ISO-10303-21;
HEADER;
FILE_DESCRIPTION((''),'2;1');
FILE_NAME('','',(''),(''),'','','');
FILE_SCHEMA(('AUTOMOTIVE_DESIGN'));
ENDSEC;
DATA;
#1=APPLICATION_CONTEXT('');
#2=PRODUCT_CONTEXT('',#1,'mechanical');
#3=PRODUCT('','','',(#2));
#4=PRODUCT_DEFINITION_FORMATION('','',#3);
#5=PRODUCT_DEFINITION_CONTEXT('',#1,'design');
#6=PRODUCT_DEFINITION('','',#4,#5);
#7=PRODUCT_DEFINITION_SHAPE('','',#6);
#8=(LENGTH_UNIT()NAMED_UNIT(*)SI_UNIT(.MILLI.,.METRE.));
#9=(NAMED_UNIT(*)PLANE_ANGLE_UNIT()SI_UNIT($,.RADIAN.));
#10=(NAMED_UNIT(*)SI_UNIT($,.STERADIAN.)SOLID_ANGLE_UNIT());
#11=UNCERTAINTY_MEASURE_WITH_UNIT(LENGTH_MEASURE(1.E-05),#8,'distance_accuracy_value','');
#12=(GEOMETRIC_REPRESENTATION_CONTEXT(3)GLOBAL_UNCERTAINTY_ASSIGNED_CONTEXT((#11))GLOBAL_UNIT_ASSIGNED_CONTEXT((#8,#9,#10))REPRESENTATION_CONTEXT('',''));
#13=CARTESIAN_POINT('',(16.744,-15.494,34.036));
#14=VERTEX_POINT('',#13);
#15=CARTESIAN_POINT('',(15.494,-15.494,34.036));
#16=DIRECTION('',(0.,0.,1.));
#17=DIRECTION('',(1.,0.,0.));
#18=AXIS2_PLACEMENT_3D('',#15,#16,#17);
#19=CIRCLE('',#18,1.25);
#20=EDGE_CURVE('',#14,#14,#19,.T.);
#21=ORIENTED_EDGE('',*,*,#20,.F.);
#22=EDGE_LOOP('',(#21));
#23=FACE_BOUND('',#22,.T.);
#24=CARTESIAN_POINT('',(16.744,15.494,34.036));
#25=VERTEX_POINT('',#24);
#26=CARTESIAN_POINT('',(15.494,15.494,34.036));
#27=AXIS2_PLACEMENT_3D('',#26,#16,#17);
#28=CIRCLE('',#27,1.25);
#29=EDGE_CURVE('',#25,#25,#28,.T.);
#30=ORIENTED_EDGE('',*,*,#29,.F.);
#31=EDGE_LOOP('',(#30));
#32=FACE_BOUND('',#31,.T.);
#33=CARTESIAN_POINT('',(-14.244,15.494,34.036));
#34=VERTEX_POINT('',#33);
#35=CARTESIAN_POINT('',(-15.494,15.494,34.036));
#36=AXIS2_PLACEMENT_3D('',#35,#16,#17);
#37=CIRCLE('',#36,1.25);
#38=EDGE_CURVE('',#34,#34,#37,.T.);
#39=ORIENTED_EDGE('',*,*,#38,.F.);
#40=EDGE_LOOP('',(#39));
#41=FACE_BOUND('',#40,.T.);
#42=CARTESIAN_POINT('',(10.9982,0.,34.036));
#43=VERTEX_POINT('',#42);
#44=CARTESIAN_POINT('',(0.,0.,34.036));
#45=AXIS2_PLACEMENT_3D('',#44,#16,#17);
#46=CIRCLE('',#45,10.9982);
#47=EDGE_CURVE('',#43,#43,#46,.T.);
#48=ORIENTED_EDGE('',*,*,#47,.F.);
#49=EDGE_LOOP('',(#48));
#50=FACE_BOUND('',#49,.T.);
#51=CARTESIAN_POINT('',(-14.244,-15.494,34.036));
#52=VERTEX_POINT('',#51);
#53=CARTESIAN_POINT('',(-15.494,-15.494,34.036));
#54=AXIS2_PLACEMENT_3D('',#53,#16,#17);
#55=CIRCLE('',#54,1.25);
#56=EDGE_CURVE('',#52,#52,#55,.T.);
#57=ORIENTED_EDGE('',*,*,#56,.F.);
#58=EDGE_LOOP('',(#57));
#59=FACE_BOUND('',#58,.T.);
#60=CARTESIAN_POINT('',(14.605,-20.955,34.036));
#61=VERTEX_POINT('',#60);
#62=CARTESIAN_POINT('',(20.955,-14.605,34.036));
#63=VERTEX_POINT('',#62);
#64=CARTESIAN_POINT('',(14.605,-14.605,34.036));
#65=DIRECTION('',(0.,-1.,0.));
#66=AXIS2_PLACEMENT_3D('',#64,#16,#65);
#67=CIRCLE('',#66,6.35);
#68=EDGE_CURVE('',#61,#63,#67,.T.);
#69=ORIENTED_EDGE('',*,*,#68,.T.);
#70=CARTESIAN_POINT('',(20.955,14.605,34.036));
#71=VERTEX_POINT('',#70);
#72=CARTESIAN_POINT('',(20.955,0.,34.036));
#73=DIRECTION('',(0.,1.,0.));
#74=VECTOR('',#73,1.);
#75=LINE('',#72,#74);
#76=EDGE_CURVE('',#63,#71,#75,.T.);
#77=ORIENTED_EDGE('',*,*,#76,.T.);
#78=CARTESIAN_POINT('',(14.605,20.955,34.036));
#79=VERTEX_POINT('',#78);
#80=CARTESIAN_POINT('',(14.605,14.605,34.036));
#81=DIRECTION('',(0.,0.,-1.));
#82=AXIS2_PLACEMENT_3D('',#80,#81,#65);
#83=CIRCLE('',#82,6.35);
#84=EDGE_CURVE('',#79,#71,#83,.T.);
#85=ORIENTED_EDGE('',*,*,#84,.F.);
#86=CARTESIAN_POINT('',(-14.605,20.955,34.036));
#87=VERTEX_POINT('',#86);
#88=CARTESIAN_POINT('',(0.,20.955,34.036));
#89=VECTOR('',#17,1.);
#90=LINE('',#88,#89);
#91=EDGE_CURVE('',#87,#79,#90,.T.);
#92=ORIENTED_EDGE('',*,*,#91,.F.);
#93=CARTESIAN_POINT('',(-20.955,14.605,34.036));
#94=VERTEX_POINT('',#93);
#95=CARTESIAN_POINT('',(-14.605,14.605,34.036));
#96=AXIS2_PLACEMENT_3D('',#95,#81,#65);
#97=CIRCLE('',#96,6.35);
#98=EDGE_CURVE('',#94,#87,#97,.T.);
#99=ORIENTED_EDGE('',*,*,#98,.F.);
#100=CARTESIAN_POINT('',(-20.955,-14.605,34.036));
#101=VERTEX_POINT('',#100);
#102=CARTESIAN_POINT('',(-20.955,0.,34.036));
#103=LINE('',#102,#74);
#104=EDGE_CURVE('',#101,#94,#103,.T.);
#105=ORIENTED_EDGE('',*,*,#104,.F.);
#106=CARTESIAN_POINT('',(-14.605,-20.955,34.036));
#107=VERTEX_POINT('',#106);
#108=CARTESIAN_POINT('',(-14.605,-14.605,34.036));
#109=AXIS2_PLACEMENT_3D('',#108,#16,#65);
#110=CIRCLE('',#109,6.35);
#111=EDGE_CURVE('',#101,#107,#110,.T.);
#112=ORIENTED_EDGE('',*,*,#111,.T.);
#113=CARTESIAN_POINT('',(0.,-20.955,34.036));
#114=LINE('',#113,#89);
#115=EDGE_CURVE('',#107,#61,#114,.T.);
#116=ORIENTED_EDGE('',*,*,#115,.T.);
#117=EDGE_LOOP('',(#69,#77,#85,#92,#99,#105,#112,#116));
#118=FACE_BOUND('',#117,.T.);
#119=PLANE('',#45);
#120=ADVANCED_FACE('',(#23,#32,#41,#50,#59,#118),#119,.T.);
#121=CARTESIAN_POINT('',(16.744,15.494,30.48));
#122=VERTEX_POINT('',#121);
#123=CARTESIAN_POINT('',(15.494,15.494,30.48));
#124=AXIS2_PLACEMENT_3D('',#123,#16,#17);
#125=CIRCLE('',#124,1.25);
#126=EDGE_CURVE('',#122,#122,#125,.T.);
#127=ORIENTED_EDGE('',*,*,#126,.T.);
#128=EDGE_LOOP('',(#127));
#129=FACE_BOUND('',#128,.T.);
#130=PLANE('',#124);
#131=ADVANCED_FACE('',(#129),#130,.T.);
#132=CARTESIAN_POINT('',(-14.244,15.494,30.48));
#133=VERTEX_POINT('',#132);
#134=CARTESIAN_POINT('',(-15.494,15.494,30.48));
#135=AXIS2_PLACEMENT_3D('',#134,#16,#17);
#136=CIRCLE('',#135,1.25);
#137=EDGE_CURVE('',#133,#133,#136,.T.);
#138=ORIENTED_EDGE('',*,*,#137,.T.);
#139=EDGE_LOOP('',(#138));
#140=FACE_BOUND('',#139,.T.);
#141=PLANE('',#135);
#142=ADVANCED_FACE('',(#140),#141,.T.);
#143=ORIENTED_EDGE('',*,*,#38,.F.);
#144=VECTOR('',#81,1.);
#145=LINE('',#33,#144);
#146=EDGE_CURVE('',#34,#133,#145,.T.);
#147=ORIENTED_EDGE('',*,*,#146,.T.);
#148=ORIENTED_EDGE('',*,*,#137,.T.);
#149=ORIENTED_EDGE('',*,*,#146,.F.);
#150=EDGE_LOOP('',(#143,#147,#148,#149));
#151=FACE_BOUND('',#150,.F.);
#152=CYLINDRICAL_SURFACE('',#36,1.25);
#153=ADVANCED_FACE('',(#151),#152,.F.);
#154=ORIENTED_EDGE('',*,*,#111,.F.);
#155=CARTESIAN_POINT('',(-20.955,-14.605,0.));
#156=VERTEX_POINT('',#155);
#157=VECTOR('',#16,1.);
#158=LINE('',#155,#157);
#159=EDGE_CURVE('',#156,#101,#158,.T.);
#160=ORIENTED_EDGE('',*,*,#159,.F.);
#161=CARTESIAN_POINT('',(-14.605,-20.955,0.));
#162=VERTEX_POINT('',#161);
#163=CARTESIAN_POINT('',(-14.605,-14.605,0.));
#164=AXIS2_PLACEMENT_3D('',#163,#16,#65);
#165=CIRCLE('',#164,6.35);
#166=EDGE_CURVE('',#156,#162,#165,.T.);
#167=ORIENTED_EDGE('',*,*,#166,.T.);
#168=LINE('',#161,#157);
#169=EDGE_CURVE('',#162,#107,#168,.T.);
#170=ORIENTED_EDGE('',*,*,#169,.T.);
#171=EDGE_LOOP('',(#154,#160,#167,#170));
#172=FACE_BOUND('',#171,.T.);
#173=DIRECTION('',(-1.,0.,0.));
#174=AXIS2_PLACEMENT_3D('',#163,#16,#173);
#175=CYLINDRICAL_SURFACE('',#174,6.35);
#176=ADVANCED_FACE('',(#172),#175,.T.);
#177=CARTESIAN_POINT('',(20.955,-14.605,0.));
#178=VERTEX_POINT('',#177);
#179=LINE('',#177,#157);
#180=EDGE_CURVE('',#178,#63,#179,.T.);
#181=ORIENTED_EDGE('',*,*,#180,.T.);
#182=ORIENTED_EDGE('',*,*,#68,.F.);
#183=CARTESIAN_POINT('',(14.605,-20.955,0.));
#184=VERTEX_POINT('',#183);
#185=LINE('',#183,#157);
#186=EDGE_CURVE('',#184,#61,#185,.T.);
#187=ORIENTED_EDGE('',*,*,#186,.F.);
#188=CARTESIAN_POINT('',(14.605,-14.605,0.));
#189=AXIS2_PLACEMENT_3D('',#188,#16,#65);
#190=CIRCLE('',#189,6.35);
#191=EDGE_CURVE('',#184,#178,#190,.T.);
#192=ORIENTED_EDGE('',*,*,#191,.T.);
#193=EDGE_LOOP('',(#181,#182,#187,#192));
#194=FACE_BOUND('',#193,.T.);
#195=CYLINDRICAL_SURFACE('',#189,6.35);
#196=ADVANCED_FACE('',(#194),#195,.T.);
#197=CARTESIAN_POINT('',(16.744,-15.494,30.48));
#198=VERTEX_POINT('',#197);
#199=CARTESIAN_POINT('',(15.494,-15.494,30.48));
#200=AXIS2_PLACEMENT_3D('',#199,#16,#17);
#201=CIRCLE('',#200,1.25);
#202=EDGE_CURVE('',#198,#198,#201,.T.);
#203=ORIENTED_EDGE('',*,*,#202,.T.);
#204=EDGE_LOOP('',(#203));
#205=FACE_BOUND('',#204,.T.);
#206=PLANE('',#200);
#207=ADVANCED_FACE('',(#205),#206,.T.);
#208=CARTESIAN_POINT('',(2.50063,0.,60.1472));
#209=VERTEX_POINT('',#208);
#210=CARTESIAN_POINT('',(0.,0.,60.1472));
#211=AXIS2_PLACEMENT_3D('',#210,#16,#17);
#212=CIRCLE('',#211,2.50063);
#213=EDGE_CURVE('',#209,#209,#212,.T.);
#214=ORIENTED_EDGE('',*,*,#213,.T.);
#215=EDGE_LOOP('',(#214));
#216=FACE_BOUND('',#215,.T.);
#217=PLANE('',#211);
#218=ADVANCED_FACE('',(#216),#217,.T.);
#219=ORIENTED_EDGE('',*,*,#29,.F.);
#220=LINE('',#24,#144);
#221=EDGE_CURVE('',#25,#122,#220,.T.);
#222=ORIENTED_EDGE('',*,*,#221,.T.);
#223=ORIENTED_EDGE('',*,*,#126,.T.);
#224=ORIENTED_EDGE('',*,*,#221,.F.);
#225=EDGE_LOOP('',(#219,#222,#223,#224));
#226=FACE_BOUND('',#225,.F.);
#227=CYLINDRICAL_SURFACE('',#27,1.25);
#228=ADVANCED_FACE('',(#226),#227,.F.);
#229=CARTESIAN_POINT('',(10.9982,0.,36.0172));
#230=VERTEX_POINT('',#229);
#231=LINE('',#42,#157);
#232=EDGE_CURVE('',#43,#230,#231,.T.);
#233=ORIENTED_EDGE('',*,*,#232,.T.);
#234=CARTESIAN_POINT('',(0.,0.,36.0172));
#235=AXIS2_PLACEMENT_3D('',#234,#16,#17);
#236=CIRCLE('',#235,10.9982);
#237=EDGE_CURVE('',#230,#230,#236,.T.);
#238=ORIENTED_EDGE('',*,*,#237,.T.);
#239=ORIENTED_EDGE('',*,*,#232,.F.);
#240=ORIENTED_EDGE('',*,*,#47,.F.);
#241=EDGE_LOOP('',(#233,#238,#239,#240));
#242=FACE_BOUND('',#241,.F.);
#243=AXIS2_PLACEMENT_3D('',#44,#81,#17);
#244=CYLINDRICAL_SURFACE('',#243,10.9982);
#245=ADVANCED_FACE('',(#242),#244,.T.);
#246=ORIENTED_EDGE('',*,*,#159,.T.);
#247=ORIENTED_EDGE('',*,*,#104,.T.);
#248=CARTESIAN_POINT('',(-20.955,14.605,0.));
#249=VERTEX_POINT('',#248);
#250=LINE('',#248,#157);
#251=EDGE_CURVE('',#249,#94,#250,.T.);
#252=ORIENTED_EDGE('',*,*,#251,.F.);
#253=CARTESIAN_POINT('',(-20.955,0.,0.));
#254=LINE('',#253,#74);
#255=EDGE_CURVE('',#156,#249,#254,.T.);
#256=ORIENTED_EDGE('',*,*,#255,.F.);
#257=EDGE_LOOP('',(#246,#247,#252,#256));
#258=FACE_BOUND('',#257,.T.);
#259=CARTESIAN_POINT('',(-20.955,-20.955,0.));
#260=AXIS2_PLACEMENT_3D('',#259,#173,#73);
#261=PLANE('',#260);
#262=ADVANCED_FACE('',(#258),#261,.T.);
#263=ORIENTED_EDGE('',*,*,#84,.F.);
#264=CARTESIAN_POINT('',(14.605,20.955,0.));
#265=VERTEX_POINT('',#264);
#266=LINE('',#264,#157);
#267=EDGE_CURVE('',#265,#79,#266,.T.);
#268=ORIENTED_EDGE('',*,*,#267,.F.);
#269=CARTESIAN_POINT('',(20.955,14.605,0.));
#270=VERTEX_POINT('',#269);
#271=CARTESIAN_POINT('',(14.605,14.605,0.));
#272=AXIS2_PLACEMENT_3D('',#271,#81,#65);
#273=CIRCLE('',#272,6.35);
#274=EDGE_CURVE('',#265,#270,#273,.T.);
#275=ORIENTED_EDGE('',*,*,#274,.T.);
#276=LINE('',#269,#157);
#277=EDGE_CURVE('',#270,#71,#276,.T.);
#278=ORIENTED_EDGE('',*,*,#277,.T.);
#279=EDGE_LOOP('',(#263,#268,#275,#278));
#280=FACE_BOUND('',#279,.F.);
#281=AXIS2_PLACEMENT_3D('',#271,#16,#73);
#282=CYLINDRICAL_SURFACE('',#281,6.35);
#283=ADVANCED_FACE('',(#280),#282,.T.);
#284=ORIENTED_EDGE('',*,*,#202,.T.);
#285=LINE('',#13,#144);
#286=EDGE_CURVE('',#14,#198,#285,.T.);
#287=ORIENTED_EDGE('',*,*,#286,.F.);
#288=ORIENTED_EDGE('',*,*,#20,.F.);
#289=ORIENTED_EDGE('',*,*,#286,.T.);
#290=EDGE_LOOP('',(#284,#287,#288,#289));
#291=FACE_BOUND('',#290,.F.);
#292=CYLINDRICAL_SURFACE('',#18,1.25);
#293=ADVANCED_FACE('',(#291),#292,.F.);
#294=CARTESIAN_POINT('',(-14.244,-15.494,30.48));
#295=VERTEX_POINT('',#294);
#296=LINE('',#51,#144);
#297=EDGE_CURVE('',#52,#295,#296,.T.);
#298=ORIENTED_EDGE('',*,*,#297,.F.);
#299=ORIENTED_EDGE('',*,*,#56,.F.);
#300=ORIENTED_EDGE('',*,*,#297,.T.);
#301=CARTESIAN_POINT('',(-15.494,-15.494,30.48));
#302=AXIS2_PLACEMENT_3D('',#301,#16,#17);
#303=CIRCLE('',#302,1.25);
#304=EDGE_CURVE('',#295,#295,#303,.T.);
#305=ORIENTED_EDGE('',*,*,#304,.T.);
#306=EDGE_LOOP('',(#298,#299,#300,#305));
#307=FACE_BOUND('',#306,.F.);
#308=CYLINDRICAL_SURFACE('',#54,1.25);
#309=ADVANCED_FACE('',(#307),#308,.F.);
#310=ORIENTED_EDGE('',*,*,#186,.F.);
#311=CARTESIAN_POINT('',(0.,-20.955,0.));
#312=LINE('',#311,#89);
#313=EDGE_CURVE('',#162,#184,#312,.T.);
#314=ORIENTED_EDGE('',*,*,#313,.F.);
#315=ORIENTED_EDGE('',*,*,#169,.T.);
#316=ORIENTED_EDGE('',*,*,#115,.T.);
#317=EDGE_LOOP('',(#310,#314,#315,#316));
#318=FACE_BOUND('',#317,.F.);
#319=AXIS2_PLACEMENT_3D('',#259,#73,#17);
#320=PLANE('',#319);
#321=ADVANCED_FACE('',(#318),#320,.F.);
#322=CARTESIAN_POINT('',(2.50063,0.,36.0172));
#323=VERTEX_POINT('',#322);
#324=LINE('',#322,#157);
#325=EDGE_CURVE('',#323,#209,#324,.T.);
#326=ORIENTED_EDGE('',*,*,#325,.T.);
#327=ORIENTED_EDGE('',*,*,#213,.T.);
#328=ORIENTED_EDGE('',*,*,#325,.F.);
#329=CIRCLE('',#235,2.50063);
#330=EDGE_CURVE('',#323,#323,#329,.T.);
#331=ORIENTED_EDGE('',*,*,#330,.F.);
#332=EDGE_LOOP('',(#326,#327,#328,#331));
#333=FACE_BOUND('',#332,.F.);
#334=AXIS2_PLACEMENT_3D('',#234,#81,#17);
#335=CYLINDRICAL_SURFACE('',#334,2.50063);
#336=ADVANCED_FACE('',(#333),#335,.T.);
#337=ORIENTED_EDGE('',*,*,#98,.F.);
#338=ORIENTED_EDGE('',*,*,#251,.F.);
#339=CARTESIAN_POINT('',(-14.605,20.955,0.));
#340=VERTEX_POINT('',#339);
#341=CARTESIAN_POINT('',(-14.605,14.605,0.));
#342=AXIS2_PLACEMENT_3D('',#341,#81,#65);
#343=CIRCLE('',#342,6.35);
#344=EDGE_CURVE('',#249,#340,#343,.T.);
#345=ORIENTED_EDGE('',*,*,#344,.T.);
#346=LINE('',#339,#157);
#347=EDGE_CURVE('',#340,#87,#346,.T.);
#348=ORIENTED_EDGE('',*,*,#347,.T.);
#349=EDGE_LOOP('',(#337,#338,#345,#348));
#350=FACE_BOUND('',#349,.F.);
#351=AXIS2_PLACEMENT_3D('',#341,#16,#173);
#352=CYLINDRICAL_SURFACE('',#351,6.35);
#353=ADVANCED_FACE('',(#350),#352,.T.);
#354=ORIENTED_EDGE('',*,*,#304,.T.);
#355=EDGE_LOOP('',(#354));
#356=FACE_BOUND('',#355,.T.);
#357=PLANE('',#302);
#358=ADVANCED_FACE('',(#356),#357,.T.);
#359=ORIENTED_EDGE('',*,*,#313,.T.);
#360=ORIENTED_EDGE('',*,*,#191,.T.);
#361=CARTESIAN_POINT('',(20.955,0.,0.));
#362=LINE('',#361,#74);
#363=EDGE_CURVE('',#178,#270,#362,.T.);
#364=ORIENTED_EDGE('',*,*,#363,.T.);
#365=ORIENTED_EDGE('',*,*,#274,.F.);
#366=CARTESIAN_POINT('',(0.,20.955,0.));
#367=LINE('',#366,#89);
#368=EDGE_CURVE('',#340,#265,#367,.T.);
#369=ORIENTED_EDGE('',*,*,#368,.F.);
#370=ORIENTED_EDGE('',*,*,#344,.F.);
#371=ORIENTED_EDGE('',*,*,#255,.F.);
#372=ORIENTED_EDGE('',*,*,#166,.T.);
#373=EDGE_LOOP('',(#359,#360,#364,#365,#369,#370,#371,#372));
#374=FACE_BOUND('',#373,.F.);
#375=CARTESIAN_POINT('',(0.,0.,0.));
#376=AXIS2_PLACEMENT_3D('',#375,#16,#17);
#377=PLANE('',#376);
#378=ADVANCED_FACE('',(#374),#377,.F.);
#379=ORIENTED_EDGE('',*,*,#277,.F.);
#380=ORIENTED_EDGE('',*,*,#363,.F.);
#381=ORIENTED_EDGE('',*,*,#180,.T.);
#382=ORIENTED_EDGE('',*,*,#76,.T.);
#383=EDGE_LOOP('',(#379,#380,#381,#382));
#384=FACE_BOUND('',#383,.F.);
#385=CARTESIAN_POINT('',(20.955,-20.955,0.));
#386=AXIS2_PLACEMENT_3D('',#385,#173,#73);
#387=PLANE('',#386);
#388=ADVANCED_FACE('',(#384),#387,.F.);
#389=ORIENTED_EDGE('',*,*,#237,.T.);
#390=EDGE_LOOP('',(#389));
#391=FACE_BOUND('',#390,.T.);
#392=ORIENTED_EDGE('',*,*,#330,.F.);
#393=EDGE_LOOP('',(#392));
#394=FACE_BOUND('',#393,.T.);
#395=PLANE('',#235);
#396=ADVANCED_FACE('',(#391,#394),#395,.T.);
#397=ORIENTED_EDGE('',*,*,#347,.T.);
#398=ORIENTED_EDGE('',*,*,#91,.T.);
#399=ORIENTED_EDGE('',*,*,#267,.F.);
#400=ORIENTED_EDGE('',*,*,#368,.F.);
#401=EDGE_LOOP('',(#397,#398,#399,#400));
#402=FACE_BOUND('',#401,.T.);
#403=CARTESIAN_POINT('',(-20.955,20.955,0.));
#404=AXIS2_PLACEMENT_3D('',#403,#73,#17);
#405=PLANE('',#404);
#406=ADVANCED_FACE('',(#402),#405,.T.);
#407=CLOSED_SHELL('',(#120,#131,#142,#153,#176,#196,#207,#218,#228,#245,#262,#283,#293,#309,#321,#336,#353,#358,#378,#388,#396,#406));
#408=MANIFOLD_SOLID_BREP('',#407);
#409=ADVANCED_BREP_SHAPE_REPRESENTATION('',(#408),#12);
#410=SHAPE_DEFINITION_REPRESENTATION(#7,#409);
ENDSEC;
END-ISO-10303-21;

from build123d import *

# Parameters (mm, degrees)
F0_W     = 41.91
F0_H     = 41.91
F1_DEPTH = 34.036
F2_R     = 1.25
F3_DEPTH = 3.556
F4_R     = 6.35
F5_R     = 10.9982
F6_DEPTH = 1.9812
F7_R     = 2.50063
F8_DEPTH = 24.13


with BuildPart() as f1:
    # F0 (on Top) → F1 (new body)
    with BuildSketch(Plane.XY):
        Rectangle(F0_W, F0_H)
    extrude(amount=F1_DEPTH)

    # F2 (on face) → F3 (cut)
    with BuildSketch(Plane.XY.offset(34.036)):
        with Locations((15.494, -15.494)):
            Circle(F2_R)
        with Locations((15.494, 15.494)):
            Circle(F2_R)
        with Locations((-15.494, 15.494)):
            Circle(F2_R)
        with Locations((-15.494, -15.494)):
            Circle(F2_R)
    extrude(amount=-F3_DEPTH, mode=Mode.SUBTRACT)

    # F4
    f4_edges = [f1.edges().sort_by_distance(p)[0] for p in [
        (-20.955, -20.955, 17.018),
        (20.955, -20.955, 17.018),
        (20.955, 20.955, 17.018),
        (-20.955, 20.955, 17.018),
    ]]
    fillet(f4_edges, radius=F4_R)

    # F5 (on face) → F6 (join)
    with BuildSketch(Plane.XY.offset(34.036)):
        Circle(F5_R)
    extrude(amount=F6_DEPTH)

    # F7 (on face) → F8 (join)
    with BuildSketch(Plane.XY.offset(36.0172)):
        Circle(F7_R)
    extrude(amount=F8_DEPTH)


solid = f1.part
